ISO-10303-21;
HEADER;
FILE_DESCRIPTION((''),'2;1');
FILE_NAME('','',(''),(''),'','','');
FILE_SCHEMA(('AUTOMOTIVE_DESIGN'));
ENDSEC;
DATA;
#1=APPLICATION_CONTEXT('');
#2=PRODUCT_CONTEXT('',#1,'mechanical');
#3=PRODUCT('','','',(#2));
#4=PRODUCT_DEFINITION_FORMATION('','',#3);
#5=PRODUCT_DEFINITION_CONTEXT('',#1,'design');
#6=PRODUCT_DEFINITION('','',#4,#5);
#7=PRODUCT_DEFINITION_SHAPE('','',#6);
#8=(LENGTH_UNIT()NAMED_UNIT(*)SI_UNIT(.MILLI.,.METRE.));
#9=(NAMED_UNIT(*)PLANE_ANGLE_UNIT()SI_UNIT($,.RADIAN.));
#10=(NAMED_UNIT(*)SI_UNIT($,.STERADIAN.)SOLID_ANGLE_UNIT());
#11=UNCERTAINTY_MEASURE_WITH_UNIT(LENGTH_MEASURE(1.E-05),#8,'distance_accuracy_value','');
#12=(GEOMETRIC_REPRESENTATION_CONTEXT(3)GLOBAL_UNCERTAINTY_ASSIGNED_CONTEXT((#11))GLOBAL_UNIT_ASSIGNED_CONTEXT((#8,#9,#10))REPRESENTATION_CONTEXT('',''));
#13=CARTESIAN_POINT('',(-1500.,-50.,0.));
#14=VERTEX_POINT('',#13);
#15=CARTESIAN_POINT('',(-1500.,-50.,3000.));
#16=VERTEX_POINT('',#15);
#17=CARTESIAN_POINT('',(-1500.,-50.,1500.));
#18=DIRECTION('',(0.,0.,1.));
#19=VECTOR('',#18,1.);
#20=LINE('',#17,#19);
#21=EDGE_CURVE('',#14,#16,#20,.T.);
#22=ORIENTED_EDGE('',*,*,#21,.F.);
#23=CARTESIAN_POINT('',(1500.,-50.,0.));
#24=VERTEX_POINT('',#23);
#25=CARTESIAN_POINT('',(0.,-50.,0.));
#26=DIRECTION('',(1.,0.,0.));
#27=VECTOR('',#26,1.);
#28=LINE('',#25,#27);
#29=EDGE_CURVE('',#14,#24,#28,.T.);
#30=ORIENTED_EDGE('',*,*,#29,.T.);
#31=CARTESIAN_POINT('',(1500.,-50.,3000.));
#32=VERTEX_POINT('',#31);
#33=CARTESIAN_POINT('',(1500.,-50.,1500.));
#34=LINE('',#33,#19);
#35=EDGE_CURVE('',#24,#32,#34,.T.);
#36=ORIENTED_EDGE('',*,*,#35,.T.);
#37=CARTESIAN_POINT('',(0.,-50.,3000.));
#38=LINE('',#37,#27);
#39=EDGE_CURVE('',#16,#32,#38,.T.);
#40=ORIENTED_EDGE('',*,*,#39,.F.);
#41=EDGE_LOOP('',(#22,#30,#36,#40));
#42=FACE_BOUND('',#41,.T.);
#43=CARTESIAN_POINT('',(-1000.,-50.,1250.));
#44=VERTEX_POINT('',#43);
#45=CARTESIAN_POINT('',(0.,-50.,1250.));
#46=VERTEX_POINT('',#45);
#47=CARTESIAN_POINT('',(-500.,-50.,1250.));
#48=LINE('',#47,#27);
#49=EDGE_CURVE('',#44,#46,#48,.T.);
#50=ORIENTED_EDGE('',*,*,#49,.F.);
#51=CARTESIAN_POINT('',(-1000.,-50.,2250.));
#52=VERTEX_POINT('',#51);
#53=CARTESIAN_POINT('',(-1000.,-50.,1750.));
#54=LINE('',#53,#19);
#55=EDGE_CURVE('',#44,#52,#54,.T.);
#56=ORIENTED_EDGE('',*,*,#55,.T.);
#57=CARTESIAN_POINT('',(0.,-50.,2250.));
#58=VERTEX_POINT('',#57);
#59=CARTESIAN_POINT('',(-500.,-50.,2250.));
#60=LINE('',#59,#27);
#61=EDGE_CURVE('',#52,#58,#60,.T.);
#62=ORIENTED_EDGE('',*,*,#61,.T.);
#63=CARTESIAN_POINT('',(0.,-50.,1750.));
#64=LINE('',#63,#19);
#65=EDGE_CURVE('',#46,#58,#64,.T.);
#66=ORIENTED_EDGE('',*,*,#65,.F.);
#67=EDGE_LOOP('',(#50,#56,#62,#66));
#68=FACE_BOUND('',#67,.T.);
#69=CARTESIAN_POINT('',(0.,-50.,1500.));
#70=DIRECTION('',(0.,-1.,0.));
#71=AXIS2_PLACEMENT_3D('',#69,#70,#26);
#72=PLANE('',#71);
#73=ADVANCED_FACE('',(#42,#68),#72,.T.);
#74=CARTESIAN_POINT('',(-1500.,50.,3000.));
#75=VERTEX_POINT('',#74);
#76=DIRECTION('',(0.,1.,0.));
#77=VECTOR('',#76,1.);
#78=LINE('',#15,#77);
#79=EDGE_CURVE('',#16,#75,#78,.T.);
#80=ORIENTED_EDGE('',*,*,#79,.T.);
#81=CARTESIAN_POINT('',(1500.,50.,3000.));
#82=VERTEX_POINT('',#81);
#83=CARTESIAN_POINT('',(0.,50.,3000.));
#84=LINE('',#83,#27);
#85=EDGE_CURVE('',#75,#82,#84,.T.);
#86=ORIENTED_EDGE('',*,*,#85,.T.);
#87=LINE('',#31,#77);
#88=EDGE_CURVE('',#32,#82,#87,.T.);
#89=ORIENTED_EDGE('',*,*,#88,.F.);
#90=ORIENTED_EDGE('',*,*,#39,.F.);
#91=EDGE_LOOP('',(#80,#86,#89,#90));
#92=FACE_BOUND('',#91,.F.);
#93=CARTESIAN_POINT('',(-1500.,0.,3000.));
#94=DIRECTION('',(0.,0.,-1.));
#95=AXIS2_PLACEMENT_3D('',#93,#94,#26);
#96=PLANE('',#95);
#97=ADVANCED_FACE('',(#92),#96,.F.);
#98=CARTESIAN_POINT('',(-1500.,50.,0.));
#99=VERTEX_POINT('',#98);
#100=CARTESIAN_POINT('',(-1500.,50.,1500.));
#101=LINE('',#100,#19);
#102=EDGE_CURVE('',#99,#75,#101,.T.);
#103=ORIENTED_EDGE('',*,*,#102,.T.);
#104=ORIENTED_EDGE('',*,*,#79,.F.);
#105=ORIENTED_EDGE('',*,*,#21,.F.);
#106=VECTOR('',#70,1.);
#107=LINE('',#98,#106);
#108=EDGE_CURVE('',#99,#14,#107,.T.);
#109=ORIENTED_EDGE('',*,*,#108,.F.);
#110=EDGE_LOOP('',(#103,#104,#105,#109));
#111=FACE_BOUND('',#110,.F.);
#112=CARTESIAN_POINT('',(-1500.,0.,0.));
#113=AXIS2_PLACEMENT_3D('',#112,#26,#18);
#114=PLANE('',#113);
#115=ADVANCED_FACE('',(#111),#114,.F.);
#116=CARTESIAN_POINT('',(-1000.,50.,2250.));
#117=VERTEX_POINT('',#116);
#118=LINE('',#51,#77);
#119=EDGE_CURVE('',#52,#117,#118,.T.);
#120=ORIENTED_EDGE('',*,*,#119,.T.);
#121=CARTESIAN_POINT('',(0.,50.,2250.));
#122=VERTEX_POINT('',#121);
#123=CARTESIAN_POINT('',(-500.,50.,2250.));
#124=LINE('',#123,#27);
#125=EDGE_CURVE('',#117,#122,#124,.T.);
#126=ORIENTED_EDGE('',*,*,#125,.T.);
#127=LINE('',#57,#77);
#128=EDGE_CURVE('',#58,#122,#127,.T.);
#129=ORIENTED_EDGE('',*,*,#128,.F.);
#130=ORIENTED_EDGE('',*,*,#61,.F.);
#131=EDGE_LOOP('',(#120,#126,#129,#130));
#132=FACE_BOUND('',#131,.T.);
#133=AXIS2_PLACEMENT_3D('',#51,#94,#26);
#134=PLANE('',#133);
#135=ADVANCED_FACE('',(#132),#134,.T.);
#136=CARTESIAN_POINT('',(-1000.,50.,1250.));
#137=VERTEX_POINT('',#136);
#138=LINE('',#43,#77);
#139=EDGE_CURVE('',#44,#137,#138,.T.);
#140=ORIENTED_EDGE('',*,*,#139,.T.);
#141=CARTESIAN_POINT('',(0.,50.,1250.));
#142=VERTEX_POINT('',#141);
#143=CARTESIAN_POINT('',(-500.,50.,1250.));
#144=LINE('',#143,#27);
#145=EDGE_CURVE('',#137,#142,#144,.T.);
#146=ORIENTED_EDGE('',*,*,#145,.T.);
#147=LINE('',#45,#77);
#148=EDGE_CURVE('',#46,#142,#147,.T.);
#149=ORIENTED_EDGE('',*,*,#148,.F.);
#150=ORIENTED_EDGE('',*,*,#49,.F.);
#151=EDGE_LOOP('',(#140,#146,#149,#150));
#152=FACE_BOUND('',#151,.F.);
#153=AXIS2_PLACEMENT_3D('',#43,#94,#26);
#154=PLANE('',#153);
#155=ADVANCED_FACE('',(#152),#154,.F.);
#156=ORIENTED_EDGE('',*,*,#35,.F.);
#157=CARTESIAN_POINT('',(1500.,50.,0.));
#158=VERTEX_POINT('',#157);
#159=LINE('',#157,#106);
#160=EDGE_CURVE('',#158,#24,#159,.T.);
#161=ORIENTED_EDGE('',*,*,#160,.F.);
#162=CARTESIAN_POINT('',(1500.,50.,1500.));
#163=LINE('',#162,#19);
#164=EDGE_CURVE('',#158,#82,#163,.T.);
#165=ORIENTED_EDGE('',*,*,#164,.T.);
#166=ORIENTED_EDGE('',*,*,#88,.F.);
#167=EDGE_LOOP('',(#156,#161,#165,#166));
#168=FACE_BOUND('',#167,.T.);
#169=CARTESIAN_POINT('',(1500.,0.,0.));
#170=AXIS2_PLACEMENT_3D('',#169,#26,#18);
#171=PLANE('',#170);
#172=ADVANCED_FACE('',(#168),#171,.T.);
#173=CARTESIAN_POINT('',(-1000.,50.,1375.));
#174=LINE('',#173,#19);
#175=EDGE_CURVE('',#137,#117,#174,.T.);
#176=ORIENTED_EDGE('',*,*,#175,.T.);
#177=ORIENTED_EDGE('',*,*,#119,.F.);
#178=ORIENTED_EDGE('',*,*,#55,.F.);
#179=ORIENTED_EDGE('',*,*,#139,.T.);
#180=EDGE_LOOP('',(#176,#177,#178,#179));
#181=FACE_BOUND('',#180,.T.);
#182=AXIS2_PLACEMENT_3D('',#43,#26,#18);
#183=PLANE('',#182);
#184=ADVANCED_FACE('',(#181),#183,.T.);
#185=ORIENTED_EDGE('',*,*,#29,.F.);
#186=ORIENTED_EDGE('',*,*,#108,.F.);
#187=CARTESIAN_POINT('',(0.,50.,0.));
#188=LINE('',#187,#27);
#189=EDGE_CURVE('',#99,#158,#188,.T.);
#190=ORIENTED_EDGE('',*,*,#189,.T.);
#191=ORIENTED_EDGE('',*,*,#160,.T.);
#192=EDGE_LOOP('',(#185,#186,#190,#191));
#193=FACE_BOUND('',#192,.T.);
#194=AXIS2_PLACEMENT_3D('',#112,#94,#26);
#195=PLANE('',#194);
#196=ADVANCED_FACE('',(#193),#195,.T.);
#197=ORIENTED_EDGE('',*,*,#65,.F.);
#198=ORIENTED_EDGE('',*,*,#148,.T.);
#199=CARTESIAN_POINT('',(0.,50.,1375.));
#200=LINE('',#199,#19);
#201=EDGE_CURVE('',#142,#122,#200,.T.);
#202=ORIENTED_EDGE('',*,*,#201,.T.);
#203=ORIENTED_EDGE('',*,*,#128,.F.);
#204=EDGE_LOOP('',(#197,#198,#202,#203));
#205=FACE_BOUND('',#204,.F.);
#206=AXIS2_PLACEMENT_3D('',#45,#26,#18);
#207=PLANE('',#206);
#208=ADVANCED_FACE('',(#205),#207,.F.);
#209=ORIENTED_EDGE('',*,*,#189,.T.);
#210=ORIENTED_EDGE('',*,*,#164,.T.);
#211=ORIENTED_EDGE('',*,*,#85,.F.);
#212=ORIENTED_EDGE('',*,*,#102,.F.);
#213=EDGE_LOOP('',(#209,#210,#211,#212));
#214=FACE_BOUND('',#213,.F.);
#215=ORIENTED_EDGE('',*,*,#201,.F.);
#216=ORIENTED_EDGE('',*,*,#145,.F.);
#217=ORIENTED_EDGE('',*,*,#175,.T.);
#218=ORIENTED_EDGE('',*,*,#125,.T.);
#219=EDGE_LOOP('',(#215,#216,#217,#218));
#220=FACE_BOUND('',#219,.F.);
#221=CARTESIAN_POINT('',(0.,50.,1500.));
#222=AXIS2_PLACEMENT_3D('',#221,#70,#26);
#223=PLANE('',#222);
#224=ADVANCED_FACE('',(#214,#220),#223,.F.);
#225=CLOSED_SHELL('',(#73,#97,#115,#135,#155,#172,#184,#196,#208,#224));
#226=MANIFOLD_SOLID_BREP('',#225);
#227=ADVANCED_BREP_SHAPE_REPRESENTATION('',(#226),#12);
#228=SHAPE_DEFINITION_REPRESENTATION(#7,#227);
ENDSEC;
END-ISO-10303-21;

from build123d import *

# Parameters (mm, degrees)
F0_W     = 3000
F0_H     = 3000
F1_DEPTH = 50
F2_W     = 1000
F2_H     = 1000
F3_DEPTH = 100.001


with BuildPart() as f1:
    # F0 (on Front) → F1 (new body, symmetric)
    with BuildSketch(Plane.XZ):
        with Locations((0, 1500)):
            Rectangle(F0_W, F0_H)
    extrude(amount=F1_DEPTH, both=True)

    # F2 (on face) → F3 (cut, through all)
    with BuildSketch(Plane.XZ.offset(50)):
        with Locations((-500, 1750)):
            Rectangle(F2_W, F2_H)
    extrude(amount=-F3_DEPTH, mode=Mode.SUBTRACT)


solid = f1.part
